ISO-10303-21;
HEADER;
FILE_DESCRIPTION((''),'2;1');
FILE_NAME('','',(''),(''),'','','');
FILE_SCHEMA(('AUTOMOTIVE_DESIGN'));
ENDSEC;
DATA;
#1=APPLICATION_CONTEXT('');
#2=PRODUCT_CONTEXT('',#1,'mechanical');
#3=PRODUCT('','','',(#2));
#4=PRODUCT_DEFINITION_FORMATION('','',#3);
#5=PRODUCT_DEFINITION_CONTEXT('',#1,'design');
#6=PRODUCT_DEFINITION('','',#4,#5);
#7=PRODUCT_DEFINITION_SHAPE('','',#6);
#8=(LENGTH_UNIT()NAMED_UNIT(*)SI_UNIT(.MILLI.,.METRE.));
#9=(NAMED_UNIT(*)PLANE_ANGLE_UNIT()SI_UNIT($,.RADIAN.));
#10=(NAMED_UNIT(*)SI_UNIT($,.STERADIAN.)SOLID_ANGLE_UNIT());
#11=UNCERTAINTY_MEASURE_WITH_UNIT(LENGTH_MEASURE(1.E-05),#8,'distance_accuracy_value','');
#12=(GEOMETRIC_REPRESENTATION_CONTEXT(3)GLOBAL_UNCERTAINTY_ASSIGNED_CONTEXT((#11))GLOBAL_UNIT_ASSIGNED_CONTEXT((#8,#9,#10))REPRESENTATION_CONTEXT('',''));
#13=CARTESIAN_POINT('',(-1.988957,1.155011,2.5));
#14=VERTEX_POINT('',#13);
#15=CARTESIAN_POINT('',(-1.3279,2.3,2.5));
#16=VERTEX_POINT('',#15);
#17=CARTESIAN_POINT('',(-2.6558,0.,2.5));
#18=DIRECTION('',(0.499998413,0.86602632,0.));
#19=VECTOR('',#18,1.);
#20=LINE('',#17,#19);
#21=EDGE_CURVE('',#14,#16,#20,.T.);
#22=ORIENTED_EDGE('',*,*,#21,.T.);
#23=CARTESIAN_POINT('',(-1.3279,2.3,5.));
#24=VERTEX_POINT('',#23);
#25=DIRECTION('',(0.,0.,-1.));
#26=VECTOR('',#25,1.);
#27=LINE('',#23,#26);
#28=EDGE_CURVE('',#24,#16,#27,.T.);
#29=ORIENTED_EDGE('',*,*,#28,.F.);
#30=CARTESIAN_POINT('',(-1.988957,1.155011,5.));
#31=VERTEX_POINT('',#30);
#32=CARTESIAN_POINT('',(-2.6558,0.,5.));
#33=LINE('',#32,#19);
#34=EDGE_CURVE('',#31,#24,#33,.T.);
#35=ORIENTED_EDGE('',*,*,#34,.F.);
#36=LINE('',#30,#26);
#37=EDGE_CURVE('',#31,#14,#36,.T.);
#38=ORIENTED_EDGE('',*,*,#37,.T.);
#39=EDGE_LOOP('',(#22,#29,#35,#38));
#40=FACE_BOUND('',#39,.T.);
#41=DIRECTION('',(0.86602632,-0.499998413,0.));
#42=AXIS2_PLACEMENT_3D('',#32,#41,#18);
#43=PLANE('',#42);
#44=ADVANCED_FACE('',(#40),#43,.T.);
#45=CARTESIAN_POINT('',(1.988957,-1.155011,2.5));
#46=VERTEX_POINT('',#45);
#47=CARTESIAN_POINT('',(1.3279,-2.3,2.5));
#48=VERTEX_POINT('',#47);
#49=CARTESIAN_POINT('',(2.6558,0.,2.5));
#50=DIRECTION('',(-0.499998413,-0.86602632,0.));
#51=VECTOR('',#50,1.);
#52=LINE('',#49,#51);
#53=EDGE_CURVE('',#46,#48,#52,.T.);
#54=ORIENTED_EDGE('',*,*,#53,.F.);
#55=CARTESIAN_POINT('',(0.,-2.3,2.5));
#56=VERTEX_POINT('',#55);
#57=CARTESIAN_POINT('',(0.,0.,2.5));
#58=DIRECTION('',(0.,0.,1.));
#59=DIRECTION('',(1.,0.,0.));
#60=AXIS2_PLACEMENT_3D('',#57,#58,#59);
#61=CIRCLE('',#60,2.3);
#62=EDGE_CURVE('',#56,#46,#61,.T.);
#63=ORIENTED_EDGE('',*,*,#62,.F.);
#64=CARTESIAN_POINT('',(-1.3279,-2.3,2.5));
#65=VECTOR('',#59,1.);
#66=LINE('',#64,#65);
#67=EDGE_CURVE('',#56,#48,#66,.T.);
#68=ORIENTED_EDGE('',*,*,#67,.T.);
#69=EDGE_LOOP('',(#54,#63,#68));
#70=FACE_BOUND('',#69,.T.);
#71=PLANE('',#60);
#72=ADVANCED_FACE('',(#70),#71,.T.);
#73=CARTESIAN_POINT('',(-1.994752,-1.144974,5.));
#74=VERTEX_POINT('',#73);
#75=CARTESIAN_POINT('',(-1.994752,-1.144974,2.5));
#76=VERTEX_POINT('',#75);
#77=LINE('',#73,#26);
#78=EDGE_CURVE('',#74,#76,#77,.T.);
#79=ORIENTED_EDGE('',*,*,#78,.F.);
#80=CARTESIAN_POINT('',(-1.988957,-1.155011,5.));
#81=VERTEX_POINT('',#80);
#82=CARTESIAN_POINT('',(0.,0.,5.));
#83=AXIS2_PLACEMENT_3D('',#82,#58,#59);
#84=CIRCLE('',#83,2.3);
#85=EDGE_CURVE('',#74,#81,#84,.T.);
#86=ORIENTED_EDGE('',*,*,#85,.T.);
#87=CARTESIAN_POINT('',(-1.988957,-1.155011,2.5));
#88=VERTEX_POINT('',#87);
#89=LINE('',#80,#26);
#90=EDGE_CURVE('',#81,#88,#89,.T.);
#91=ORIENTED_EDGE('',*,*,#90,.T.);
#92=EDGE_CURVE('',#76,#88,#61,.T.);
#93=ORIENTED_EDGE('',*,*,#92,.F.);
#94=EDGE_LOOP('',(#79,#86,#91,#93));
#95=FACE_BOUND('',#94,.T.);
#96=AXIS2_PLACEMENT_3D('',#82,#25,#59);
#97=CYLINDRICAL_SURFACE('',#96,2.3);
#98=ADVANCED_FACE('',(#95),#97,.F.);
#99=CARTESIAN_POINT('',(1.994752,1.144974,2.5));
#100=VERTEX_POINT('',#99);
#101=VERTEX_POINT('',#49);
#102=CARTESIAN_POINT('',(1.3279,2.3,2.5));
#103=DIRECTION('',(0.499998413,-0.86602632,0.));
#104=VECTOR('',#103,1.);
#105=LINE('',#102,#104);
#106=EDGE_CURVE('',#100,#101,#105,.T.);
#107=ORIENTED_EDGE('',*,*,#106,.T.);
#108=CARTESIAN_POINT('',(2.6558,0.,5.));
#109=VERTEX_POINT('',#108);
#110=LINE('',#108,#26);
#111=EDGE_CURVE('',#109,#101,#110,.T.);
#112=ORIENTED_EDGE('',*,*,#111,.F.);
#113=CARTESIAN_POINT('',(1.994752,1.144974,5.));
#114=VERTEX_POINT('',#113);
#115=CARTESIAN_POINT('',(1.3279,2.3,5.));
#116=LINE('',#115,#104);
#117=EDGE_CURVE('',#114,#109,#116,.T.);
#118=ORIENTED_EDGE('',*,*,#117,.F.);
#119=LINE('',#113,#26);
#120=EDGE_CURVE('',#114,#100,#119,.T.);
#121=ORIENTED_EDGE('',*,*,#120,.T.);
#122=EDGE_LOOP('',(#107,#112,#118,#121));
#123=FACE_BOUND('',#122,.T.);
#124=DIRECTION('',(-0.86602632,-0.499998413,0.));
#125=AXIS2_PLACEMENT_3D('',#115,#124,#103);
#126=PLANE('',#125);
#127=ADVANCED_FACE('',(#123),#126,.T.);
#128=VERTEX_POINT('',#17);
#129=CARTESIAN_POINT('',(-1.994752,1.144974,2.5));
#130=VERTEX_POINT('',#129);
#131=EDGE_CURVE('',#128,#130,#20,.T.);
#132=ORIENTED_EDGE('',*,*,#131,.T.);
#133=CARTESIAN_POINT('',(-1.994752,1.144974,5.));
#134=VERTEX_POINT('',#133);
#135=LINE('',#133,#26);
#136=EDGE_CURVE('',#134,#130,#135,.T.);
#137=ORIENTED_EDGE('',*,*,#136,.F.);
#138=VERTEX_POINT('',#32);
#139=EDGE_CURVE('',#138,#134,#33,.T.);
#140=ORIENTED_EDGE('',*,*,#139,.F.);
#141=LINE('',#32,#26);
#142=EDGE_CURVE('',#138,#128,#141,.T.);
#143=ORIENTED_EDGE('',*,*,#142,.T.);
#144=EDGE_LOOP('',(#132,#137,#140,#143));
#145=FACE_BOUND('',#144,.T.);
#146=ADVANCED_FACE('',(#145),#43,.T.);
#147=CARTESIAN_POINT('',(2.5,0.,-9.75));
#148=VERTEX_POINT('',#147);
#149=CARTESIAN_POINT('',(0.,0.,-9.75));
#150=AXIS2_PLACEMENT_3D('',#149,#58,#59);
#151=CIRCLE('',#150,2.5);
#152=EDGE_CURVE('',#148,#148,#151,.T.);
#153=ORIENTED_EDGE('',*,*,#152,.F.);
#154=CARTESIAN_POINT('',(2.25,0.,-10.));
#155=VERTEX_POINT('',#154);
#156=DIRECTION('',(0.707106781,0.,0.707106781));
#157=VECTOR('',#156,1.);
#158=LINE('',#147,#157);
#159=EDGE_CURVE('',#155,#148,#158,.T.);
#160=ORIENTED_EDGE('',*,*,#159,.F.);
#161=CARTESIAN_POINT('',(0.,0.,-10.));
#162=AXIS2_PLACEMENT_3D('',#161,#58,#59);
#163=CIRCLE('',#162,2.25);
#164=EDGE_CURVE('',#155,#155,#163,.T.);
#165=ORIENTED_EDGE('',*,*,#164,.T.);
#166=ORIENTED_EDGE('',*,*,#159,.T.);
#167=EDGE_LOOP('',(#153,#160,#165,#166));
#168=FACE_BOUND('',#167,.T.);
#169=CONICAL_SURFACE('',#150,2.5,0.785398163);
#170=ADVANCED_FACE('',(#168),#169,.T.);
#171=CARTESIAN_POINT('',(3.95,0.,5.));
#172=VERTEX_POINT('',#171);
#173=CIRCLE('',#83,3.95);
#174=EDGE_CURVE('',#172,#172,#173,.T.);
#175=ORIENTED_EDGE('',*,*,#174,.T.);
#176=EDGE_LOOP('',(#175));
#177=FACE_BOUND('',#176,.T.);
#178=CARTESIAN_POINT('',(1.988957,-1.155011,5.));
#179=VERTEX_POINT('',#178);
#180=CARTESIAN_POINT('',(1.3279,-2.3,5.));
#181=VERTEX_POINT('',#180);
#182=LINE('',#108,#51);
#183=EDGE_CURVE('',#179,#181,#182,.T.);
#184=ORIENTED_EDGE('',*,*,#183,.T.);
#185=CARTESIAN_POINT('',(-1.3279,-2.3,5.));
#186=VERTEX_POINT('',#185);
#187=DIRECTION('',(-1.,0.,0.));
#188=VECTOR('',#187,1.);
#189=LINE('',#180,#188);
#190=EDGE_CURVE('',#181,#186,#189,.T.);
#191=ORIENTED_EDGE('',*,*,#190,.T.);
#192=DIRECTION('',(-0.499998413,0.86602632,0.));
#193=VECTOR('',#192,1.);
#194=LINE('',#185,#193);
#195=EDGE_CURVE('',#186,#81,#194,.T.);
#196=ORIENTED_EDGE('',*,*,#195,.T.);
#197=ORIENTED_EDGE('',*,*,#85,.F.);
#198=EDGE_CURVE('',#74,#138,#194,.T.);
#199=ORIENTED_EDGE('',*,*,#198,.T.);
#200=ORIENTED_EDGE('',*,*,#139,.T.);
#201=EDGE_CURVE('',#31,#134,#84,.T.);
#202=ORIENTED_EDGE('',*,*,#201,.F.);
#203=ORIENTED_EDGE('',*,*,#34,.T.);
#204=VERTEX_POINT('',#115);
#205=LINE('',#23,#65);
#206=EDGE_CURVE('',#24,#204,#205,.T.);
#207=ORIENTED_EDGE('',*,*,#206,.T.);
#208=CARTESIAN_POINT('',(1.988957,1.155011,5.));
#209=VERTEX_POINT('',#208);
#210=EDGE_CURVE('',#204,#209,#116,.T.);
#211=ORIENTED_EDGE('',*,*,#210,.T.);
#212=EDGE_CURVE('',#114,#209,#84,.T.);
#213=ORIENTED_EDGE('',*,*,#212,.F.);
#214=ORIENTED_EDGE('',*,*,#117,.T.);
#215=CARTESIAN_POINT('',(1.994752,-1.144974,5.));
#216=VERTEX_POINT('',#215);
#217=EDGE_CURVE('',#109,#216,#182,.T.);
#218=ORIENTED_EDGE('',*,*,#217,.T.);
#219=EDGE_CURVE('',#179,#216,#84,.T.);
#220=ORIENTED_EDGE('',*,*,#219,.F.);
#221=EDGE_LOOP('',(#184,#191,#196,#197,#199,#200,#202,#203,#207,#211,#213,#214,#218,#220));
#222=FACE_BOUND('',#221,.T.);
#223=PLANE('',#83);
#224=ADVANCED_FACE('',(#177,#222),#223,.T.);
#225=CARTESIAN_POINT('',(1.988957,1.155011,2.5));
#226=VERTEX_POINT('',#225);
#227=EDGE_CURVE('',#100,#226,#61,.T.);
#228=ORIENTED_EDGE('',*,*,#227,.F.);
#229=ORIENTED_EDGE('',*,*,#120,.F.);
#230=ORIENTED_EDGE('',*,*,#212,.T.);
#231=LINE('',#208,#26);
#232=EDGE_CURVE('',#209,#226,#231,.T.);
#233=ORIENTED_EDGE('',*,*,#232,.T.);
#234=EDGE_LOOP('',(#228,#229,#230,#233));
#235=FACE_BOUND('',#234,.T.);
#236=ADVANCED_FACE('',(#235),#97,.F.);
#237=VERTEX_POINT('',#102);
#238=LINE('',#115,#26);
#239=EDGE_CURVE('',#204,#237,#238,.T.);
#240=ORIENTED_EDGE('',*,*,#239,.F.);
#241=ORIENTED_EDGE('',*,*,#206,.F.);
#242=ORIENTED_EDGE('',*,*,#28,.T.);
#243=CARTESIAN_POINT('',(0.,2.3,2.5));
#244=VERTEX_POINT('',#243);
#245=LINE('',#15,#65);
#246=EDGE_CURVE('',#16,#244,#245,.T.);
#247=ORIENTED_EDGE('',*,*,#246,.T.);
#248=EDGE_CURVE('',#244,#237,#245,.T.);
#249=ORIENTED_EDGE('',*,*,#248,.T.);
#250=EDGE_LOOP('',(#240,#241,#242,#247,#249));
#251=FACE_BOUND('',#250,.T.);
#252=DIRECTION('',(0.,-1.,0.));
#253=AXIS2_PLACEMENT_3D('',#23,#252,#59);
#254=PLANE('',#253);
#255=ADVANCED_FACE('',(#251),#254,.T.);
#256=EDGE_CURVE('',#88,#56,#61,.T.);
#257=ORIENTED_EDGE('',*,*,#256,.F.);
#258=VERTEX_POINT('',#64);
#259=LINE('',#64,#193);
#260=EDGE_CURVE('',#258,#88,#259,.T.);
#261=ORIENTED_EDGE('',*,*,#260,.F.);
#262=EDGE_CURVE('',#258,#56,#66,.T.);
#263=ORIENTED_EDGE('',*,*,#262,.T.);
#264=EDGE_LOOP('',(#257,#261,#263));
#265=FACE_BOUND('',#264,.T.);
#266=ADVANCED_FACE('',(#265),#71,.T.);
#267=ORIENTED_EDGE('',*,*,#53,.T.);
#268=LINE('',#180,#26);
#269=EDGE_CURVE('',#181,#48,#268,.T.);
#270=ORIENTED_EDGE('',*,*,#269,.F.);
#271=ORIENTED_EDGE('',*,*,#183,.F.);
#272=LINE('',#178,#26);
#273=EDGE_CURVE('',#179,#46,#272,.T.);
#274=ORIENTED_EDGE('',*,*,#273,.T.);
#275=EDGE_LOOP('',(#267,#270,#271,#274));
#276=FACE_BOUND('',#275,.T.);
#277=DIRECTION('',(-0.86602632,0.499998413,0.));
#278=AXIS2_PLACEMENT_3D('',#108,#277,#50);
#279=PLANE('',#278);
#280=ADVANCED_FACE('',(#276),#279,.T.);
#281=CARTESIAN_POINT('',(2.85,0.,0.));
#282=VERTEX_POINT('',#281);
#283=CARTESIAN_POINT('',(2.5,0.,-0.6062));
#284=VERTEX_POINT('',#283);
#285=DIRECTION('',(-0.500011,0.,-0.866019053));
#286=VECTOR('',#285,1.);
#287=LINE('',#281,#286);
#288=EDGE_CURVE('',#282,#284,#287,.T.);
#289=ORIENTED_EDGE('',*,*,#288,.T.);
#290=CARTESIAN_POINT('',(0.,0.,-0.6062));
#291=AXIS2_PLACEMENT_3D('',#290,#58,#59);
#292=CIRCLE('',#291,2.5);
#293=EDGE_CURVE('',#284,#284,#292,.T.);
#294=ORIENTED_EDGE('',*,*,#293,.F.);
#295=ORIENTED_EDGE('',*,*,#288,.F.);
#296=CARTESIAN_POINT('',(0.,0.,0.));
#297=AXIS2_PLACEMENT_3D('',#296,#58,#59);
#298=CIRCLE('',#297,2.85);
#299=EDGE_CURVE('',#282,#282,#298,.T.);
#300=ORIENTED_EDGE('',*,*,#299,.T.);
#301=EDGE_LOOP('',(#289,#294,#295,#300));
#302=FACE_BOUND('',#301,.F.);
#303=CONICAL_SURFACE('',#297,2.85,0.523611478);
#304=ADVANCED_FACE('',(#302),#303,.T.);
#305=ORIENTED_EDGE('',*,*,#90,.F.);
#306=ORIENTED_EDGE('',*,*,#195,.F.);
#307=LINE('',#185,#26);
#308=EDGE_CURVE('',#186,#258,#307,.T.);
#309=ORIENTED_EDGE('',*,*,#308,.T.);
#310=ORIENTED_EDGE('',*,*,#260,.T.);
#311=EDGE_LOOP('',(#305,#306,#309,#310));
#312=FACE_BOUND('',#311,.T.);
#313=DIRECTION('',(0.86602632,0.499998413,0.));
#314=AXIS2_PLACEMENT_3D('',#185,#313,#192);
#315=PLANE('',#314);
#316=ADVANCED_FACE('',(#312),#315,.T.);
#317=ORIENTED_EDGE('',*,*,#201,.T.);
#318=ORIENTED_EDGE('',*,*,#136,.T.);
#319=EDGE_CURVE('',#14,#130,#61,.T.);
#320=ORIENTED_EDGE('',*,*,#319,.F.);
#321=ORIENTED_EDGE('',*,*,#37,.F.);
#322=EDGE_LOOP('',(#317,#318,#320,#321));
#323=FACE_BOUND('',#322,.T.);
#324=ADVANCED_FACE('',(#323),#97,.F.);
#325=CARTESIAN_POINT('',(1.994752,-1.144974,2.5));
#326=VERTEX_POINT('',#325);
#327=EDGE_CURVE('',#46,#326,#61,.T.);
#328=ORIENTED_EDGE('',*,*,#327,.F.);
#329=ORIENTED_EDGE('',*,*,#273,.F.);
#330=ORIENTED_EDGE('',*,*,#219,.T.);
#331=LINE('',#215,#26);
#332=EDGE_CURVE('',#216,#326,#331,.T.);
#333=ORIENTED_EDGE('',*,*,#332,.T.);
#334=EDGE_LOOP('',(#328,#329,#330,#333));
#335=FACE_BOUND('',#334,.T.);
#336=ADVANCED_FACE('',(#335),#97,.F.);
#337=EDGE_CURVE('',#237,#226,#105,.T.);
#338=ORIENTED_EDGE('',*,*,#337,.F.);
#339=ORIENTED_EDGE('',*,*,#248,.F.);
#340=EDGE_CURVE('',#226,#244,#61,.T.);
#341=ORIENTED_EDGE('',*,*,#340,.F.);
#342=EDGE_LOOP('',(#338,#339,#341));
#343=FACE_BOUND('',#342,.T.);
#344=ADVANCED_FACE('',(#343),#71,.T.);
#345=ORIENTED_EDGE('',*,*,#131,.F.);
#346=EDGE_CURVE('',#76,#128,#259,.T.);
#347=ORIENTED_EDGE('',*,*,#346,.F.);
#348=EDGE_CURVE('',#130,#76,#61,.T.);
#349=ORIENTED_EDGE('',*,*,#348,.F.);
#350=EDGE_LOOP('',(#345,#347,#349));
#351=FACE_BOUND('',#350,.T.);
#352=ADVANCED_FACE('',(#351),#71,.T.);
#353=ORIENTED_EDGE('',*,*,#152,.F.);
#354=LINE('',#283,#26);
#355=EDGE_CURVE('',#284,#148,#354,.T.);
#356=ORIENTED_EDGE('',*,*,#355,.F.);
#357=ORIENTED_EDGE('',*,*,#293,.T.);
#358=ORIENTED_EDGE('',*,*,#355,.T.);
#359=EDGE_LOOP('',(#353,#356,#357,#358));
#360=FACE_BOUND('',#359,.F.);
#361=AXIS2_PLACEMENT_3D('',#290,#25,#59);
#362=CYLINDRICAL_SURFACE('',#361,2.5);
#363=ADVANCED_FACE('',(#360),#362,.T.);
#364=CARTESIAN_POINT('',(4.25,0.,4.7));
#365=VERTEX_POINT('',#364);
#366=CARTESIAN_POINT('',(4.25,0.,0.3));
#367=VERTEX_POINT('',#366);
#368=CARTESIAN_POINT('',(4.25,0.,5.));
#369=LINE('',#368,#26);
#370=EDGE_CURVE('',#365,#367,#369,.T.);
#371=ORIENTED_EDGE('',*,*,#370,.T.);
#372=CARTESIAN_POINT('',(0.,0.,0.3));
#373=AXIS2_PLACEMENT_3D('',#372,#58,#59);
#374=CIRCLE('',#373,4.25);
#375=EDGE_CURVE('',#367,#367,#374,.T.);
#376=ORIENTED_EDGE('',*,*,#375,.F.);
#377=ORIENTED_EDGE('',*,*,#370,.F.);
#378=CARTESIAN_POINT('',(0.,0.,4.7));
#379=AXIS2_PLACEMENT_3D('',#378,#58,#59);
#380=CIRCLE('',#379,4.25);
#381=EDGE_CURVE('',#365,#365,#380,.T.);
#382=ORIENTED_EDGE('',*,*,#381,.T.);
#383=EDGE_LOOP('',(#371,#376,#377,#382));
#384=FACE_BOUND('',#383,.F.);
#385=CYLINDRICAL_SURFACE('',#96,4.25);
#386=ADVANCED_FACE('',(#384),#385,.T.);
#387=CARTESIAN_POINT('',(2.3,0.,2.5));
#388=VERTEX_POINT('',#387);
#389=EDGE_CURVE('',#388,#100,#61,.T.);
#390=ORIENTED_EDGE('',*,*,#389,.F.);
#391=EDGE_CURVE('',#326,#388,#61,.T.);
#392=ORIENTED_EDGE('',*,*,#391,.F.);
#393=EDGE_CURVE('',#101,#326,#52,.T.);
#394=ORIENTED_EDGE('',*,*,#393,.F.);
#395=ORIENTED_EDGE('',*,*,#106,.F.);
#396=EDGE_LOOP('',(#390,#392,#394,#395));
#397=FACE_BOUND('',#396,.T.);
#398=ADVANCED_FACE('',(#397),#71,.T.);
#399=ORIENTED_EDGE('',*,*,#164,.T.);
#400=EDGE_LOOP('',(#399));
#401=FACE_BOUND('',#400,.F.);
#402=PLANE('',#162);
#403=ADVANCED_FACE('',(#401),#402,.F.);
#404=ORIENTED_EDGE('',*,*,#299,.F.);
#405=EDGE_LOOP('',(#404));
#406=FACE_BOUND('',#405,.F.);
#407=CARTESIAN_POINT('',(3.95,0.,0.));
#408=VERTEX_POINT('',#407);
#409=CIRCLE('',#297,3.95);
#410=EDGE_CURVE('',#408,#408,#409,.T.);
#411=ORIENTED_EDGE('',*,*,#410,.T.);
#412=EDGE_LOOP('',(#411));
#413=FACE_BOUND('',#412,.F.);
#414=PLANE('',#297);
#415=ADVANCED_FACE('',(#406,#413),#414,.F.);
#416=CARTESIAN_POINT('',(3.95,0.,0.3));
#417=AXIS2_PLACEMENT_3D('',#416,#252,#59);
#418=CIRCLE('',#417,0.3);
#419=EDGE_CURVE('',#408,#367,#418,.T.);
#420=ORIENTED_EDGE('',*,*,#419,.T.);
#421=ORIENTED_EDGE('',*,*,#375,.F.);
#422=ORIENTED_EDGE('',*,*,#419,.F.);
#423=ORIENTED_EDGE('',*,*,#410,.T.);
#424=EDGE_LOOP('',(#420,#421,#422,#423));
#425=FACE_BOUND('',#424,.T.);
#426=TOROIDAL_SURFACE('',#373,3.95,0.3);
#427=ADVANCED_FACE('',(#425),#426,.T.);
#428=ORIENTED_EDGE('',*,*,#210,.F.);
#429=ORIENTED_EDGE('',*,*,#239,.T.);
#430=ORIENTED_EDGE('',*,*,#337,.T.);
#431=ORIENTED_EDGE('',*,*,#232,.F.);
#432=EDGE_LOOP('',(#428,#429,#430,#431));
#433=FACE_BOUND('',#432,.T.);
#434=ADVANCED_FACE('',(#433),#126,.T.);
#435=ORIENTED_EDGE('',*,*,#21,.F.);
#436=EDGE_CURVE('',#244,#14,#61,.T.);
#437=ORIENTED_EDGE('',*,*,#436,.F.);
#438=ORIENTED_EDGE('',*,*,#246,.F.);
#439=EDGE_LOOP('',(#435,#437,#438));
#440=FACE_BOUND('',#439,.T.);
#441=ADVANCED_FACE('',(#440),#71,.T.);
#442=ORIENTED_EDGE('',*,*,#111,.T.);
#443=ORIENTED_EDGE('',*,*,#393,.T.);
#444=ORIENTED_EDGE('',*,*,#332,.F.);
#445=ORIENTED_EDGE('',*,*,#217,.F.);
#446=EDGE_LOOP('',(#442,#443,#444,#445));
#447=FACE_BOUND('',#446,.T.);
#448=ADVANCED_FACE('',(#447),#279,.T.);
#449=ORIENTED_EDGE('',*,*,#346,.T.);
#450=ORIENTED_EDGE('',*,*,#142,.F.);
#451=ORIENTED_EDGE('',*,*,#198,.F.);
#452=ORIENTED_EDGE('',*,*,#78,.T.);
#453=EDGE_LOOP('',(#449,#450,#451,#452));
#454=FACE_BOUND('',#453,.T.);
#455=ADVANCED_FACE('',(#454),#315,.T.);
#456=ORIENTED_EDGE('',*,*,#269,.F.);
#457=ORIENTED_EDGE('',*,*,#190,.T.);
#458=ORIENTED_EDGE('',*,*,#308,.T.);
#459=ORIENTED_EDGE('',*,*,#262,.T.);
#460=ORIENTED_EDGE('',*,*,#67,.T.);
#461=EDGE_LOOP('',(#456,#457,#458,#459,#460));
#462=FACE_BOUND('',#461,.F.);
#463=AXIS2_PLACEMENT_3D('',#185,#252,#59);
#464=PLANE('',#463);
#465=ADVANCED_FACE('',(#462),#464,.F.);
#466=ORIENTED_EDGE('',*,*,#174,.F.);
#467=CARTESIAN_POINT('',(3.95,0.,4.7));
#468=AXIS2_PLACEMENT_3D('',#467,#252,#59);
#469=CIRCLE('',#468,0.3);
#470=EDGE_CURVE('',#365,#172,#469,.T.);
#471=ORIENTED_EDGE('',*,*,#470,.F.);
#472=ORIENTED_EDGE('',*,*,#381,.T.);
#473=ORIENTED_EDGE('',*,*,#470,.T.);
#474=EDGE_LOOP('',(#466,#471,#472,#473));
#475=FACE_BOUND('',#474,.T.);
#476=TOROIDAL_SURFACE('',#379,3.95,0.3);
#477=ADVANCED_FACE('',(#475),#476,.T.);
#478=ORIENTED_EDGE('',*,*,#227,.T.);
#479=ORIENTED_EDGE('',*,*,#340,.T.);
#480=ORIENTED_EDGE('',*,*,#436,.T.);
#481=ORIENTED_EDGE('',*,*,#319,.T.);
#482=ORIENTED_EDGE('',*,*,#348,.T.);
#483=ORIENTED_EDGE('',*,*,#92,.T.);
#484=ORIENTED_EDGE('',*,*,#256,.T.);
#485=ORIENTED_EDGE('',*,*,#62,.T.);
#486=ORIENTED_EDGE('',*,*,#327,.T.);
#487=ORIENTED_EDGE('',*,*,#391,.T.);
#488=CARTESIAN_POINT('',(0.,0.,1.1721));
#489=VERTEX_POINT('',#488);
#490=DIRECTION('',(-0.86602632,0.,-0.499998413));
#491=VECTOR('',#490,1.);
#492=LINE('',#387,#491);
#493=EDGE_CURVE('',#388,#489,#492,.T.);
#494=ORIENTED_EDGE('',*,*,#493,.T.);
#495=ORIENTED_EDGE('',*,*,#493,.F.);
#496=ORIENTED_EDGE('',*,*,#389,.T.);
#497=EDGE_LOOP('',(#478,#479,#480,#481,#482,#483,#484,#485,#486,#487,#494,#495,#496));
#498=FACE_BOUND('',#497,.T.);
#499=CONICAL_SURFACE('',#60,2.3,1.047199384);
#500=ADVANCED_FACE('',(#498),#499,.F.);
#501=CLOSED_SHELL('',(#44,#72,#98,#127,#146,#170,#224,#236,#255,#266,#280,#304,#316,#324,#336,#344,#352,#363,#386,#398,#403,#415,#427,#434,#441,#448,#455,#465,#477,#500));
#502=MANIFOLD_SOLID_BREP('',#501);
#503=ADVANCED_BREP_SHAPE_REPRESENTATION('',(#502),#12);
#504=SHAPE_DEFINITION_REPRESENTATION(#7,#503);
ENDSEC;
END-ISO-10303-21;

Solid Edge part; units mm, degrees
sketch "Sketch1" plane through (0, 0, 0) normal (0, -1, 0) x (1, 0, 0)
  line L0 (4.25, 5) -> (4.25, 0)
  line L1 (4.25, 0) -> (2.85, 0)
  line L2 (2.85, 0) -> (2.5, -0.6062)
  line L3 (2.5, -0.6062) -> (2.5, -10)
  line L4 (2.5, -10) -> (0, -10)
  line L5 (2.3, 2.5) -> (0, 1.1721)
  line L6 (2.3, 5) -> (2.3, 2.5)
  line L7 (4.25, 5) -> (2.3, 5)
  dimension "D1" = 2.5
  dimension "D2" = 10
  dimension "D3" = 5
revolve "RevolvedProtrusion1" add sketch "Sketch1" angle 360 about axis through (0, 0, -6) along (0, 0, 1)
cosmetic_thread "Thread1" size "M5"
chamfer "chamfer" distance 0.25 angle 45 1 edges at (-2.5, 0, -10)
fillet "head_roundings" radius 0.3 2 edges at (-4.25, 0, 0) (-4.25, 0, 5)
sketch "Sketch2" plane through (0, 0, 5) normal (0, 0, 1) x (0, 1, 0)
  line L0 (-2.3, 1.3279) -> (-2.3, -1.3279)
  line L1 (0, -2.6558) -> (-2.3, -1.3279)
  line L2 (2.3, -1.3279) -> (0, -2.6558)
  line L3 (2.3, 1.3279) -> (2.3, -1.3279)
  line L4 (0, 2.6558) -> (2.3, 1.3279)
  line L5 (-2.3, 1.3279) -> (0, 2.6558)
extrude "Cutout1" cut sketch "Sketch2" against normal up to vertex (2.5 mm away)
properties part number "STD-DIN912-M5x10" material "Galvanized steel"
